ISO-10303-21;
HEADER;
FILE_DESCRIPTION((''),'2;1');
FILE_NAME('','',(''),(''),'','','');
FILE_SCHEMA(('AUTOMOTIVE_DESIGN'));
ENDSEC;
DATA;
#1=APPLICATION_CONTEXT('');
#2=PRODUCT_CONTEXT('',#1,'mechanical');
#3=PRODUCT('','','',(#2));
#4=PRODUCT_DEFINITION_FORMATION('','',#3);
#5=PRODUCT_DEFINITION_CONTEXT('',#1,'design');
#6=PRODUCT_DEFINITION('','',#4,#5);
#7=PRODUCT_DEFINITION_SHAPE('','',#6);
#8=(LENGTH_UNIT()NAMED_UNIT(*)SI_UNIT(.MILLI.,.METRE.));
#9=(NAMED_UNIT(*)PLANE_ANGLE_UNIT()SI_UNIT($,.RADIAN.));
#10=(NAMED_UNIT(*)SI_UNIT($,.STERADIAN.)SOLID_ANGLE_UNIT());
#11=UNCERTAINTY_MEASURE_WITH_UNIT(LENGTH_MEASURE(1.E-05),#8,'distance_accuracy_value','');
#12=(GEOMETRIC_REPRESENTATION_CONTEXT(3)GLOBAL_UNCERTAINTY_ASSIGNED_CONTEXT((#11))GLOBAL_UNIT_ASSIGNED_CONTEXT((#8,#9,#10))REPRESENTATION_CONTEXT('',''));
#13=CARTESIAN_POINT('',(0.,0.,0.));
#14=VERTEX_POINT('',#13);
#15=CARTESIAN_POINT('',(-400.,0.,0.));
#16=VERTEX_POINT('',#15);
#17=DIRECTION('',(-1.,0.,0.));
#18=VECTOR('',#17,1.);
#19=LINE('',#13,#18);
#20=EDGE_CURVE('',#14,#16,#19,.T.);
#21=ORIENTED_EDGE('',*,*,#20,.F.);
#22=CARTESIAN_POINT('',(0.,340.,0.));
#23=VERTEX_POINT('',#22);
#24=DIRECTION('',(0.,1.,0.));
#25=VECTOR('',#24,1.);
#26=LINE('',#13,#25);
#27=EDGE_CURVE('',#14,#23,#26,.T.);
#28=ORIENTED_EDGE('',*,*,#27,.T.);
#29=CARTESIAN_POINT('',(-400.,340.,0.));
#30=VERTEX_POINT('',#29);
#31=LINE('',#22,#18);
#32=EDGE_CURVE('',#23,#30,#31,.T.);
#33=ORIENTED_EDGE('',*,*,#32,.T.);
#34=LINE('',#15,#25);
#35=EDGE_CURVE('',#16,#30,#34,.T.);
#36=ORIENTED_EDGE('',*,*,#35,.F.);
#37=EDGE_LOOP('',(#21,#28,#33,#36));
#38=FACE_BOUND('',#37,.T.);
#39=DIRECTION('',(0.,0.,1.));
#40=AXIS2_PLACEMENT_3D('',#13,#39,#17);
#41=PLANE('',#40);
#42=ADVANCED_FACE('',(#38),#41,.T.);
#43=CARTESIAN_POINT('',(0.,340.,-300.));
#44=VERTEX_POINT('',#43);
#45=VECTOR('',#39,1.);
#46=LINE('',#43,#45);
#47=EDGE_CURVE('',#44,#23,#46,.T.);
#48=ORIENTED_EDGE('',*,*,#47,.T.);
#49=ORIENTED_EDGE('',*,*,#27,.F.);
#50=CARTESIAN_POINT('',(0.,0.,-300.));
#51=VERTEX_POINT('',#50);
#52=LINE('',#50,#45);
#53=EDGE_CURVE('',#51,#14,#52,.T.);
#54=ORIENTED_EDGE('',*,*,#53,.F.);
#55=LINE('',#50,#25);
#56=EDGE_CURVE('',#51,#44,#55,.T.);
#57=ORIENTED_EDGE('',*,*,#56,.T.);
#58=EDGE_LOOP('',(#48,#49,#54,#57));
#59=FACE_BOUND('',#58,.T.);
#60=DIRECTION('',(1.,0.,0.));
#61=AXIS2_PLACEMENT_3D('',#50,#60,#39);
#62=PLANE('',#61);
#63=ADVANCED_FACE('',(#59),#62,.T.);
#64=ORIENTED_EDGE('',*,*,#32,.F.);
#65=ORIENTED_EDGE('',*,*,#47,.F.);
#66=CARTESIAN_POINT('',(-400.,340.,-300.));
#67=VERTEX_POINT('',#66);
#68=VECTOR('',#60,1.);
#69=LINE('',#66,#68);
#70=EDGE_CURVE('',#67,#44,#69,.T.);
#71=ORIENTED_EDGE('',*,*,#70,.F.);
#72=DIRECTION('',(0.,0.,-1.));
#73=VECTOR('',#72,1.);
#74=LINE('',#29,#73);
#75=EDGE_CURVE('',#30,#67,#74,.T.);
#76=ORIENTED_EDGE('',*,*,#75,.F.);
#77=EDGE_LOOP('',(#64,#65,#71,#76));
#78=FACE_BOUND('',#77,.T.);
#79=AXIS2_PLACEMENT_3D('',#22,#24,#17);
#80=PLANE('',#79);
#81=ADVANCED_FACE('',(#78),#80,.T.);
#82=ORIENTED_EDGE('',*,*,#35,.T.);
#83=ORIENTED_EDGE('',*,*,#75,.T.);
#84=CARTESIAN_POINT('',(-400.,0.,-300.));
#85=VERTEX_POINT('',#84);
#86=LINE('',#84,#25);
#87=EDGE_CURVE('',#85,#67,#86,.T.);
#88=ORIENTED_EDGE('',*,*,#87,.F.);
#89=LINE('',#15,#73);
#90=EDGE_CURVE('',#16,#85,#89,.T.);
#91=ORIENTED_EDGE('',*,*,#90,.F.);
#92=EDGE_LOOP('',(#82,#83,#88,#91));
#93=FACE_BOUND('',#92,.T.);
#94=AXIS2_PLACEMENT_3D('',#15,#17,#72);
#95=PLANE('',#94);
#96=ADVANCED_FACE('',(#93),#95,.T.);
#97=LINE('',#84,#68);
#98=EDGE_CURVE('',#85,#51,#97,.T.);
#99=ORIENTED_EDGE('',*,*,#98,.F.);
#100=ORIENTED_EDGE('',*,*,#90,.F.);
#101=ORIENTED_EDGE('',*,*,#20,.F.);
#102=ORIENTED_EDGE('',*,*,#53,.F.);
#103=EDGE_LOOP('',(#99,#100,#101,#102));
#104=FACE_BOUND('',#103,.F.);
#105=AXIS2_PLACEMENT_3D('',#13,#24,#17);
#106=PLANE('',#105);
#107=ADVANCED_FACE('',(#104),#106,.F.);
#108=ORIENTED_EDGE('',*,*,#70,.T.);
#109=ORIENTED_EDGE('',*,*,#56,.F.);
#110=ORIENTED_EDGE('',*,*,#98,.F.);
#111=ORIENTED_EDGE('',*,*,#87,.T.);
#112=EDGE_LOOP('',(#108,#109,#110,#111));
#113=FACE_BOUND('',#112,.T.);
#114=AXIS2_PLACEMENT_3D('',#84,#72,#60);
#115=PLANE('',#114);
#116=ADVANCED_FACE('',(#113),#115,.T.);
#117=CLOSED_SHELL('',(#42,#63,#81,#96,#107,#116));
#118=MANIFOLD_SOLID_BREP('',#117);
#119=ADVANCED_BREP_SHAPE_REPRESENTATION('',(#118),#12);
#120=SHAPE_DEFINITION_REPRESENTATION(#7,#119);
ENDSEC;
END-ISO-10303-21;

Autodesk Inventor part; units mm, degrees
ref_plane "YZ Plane" through (0, 0, 0) normal (1, 0, 0) x (0, 1, 0)
ref_plane "XZ Plane" through (0, 0, 0) normal (0, 1, 0) x (-1, 0, 0)
ref_plane "XY Plane" through (0, 0, 0) normal (0, 0, 1) x (1, 0, 0)
sketch "Skizze1" plane through (0, 0, 0) normal (0, 1, 0) x (-1, 0, 0)
  line L0 (0, 0) -> (400, 0)
  line L1 (400, 0) -> (400, -300)
  line L2 (400, -300) -> (0, -300)
  line L3 (0, -300) -> (0, 0)
  dimension "d0" = 400
  dimension "d1" = 300
extrude "Extrusion1" add sketch "Skizze1" along normal blind 340
properties part number "ZARGES-Boxdummy"
